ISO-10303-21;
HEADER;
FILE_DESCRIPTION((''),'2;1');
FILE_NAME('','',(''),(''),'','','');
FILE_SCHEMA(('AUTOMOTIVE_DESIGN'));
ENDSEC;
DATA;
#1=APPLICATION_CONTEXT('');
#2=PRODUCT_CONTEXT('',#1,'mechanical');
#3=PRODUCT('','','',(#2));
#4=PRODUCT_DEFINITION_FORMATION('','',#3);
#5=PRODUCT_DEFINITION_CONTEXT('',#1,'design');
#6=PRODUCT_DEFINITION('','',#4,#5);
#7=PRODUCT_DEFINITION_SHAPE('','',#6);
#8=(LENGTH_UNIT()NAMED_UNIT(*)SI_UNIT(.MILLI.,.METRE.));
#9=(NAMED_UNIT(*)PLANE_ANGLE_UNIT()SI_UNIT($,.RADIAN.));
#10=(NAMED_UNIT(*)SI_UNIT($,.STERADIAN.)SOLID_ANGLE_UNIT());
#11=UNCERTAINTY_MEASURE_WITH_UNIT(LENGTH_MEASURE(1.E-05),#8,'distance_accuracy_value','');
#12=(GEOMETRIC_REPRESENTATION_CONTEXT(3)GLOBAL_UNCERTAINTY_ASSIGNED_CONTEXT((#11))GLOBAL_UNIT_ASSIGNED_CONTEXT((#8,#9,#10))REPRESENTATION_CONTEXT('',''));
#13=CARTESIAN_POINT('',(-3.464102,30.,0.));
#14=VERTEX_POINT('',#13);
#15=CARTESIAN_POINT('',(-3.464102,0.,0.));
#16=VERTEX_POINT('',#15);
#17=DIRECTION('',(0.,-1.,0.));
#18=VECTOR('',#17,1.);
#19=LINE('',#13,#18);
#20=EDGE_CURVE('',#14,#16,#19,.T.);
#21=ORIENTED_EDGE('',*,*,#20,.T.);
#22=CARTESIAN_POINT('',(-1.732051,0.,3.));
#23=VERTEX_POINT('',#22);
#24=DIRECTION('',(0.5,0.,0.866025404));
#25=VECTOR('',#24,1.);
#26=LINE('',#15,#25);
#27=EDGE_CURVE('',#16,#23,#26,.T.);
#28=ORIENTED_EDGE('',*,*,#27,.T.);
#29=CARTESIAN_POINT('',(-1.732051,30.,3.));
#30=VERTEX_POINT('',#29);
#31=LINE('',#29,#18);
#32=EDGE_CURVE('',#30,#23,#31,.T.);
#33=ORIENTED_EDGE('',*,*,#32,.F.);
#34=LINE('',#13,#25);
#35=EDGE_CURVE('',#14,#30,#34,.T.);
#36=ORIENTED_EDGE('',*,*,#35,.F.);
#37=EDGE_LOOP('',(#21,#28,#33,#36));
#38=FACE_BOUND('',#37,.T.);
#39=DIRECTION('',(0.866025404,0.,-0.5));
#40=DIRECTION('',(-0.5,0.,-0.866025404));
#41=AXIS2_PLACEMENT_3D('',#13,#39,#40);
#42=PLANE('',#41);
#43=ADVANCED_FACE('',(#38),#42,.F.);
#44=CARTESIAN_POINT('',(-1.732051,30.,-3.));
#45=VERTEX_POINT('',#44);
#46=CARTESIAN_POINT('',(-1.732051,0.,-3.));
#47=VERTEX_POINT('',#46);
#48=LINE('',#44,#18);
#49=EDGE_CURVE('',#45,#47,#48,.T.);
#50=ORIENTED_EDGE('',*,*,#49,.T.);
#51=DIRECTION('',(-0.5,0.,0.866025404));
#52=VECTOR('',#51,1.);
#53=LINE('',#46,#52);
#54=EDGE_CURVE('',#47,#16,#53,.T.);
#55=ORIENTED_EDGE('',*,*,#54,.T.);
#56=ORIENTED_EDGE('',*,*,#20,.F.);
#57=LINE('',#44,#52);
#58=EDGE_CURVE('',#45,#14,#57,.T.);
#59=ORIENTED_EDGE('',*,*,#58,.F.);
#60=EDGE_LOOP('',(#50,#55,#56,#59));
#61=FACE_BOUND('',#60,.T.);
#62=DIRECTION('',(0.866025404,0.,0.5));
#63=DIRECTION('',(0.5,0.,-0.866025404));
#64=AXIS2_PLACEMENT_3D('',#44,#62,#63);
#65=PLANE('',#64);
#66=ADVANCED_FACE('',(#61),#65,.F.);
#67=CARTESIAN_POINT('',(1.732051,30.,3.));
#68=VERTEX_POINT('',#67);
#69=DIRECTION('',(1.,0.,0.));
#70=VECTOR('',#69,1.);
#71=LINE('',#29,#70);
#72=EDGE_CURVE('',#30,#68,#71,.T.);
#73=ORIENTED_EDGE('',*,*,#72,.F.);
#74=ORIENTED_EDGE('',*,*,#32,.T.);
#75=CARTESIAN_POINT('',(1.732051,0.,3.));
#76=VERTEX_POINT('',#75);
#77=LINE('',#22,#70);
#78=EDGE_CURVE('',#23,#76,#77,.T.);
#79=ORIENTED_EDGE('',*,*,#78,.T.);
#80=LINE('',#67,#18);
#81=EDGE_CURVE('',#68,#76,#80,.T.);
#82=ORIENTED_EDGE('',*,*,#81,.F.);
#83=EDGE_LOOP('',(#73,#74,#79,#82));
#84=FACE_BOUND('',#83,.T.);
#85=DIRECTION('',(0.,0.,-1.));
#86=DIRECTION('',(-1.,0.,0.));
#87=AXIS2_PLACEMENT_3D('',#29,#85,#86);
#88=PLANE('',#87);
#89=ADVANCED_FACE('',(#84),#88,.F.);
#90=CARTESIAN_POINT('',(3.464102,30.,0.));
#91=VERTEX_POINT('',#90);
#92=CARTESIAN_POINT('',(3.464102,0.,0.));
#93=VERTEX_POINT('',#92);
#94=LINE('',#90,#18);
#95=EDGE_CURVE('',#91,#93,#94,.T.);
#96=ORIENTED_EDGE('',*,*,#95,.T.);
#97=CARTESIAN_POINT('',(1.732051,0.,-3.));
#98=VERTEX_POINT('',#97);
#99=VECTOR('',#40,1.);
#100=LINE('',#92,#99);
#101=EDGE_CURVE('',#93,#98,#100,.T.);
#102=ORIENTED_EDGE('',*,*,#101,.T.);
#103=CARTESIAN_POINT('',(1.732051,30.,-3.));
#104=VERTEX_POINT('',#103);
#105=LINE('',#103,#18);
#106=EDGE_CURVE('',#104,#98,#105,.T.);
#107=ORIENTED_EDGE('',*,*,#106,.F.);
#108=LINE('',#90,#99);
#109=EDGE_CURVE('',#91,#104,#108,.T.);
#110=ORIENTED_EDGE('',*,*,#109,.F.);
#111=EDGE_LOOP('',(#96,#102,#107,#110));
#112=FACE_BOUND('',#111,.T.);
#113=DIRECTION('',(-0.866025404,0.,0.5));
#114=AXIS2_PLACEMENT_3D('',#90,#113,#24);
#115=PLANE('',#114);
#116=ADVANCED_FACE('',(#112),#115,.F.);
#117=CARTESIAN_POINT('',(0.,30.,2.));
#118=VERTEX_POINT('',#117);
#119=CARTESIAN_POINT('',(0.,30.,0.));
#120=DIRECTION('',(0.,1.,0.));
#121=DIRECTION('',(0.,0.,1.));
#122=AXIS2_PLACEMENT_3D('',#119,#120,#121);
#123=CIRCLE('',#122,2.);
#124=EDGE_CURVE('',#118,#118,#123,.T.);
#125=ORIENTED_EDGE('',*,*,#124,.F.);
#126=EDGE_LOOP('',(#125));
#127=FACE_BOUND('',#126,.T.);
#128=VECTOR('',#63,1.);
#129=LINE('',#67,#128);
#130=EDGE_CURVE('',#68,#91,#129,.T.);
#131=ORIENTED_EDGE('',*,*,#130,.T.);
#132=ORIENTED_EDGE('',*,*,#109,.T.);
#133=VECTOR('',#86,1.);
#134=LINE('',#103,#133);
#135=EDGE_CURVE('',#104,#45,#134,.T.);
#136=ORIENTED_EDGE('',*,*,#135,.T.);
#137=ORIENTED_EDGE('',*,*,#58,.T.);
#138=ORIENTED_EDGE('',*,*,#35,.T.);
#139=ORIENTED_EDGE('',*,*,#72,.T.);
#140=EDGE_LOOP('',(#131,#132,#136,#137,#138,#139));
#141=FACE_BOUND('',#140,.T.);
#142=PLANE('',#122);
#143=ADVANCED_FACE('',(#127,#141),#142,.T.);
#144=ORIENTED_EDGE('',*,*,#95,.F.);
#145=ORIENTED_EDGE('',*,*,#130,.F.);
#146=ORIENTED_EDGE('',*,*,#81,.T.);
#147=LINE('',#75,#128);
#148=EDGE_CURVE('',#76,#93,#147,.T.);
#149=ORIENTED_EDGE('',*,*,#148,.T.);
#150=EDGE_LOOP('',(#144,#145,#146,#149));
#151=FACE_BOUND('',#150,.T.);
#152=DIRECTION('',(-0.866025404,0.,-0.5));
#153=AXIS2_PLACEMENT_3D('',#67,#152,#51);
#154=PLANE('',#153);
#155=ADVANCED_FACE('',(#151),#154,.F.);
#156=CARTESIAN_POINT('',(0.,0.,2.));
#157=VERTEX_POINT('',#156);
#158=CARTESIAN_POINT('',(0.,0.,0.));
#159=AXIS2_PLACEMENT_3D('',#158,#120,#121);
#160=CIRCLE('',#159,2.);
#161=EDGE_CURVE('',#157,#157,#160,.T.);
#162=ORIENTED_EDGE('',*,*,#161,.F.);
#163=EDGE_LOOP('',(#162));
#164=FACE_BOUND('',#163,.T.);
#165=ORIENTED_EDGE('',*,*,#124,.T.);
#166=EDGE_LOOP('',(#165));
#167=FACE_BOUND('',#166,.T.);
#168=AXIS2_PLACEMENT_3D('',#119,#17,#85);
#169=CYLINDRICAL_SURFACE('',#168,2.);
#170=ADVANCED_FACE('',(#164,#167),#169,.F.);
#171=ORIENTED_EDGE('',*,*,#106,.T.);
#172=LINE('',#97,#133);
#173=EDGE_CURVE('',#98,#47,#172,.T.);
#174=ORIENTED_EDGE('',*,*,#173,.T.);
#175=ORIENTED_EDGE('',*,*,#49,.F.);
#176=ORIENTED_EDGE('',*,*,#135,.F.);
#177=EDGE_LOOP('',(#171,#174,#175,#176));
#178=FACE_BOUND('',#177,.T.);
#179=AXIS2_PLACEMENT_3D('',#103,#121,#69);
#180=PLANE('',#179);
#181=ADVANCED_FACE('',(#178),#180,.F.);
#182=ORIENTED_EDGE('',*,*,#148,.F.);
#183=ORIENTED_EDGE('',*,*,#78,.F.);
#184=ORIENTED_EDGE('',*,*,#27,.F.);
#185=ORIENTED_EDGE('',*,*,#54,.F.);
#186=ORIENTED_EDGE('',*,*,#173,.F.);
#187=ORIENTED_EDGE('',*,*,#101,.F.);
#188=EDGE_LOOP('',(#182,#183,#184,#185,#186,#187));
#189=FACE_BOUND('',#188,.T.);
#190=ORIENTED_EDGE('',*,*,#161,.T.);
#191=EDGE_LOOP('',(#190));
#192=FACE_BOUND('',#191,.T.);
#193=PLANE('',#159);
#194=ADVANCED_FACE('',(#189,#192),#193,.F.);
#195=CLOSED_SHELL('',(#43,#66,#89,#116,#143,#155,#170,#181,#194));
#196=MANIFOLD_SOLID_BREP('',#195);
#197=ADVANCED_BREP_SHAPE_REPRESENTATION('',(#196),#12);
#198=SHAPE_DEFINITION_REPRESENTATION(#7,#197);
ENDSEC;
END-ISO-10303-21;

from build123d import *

# Parameters (mm, degrees)
SKETCH1_R           = 2
BOSS_EXTRUDE1_DEPTH = 30


with BuildPart() as part:
    # Sketch1 → Boss-Extrude1 (new body)
    with BuildSketch(Plane(origin=(0, 0, 0), x_dir=(1, 0, 0), z_dir=(0, 1, 0))):
        Polygon((3.464101615, 0), (1.732050808, 3), (-1.732050808, 3), (-3.464101615, 0), (-1.732050808, -3), (1.732050808, -3), align=None)
        Circle(SKETCH1_R, mode=Mode.SUBTRACT)
    extrude(amount=BOSS_EXTRUDE1_DEPTH)


solid = part.part
